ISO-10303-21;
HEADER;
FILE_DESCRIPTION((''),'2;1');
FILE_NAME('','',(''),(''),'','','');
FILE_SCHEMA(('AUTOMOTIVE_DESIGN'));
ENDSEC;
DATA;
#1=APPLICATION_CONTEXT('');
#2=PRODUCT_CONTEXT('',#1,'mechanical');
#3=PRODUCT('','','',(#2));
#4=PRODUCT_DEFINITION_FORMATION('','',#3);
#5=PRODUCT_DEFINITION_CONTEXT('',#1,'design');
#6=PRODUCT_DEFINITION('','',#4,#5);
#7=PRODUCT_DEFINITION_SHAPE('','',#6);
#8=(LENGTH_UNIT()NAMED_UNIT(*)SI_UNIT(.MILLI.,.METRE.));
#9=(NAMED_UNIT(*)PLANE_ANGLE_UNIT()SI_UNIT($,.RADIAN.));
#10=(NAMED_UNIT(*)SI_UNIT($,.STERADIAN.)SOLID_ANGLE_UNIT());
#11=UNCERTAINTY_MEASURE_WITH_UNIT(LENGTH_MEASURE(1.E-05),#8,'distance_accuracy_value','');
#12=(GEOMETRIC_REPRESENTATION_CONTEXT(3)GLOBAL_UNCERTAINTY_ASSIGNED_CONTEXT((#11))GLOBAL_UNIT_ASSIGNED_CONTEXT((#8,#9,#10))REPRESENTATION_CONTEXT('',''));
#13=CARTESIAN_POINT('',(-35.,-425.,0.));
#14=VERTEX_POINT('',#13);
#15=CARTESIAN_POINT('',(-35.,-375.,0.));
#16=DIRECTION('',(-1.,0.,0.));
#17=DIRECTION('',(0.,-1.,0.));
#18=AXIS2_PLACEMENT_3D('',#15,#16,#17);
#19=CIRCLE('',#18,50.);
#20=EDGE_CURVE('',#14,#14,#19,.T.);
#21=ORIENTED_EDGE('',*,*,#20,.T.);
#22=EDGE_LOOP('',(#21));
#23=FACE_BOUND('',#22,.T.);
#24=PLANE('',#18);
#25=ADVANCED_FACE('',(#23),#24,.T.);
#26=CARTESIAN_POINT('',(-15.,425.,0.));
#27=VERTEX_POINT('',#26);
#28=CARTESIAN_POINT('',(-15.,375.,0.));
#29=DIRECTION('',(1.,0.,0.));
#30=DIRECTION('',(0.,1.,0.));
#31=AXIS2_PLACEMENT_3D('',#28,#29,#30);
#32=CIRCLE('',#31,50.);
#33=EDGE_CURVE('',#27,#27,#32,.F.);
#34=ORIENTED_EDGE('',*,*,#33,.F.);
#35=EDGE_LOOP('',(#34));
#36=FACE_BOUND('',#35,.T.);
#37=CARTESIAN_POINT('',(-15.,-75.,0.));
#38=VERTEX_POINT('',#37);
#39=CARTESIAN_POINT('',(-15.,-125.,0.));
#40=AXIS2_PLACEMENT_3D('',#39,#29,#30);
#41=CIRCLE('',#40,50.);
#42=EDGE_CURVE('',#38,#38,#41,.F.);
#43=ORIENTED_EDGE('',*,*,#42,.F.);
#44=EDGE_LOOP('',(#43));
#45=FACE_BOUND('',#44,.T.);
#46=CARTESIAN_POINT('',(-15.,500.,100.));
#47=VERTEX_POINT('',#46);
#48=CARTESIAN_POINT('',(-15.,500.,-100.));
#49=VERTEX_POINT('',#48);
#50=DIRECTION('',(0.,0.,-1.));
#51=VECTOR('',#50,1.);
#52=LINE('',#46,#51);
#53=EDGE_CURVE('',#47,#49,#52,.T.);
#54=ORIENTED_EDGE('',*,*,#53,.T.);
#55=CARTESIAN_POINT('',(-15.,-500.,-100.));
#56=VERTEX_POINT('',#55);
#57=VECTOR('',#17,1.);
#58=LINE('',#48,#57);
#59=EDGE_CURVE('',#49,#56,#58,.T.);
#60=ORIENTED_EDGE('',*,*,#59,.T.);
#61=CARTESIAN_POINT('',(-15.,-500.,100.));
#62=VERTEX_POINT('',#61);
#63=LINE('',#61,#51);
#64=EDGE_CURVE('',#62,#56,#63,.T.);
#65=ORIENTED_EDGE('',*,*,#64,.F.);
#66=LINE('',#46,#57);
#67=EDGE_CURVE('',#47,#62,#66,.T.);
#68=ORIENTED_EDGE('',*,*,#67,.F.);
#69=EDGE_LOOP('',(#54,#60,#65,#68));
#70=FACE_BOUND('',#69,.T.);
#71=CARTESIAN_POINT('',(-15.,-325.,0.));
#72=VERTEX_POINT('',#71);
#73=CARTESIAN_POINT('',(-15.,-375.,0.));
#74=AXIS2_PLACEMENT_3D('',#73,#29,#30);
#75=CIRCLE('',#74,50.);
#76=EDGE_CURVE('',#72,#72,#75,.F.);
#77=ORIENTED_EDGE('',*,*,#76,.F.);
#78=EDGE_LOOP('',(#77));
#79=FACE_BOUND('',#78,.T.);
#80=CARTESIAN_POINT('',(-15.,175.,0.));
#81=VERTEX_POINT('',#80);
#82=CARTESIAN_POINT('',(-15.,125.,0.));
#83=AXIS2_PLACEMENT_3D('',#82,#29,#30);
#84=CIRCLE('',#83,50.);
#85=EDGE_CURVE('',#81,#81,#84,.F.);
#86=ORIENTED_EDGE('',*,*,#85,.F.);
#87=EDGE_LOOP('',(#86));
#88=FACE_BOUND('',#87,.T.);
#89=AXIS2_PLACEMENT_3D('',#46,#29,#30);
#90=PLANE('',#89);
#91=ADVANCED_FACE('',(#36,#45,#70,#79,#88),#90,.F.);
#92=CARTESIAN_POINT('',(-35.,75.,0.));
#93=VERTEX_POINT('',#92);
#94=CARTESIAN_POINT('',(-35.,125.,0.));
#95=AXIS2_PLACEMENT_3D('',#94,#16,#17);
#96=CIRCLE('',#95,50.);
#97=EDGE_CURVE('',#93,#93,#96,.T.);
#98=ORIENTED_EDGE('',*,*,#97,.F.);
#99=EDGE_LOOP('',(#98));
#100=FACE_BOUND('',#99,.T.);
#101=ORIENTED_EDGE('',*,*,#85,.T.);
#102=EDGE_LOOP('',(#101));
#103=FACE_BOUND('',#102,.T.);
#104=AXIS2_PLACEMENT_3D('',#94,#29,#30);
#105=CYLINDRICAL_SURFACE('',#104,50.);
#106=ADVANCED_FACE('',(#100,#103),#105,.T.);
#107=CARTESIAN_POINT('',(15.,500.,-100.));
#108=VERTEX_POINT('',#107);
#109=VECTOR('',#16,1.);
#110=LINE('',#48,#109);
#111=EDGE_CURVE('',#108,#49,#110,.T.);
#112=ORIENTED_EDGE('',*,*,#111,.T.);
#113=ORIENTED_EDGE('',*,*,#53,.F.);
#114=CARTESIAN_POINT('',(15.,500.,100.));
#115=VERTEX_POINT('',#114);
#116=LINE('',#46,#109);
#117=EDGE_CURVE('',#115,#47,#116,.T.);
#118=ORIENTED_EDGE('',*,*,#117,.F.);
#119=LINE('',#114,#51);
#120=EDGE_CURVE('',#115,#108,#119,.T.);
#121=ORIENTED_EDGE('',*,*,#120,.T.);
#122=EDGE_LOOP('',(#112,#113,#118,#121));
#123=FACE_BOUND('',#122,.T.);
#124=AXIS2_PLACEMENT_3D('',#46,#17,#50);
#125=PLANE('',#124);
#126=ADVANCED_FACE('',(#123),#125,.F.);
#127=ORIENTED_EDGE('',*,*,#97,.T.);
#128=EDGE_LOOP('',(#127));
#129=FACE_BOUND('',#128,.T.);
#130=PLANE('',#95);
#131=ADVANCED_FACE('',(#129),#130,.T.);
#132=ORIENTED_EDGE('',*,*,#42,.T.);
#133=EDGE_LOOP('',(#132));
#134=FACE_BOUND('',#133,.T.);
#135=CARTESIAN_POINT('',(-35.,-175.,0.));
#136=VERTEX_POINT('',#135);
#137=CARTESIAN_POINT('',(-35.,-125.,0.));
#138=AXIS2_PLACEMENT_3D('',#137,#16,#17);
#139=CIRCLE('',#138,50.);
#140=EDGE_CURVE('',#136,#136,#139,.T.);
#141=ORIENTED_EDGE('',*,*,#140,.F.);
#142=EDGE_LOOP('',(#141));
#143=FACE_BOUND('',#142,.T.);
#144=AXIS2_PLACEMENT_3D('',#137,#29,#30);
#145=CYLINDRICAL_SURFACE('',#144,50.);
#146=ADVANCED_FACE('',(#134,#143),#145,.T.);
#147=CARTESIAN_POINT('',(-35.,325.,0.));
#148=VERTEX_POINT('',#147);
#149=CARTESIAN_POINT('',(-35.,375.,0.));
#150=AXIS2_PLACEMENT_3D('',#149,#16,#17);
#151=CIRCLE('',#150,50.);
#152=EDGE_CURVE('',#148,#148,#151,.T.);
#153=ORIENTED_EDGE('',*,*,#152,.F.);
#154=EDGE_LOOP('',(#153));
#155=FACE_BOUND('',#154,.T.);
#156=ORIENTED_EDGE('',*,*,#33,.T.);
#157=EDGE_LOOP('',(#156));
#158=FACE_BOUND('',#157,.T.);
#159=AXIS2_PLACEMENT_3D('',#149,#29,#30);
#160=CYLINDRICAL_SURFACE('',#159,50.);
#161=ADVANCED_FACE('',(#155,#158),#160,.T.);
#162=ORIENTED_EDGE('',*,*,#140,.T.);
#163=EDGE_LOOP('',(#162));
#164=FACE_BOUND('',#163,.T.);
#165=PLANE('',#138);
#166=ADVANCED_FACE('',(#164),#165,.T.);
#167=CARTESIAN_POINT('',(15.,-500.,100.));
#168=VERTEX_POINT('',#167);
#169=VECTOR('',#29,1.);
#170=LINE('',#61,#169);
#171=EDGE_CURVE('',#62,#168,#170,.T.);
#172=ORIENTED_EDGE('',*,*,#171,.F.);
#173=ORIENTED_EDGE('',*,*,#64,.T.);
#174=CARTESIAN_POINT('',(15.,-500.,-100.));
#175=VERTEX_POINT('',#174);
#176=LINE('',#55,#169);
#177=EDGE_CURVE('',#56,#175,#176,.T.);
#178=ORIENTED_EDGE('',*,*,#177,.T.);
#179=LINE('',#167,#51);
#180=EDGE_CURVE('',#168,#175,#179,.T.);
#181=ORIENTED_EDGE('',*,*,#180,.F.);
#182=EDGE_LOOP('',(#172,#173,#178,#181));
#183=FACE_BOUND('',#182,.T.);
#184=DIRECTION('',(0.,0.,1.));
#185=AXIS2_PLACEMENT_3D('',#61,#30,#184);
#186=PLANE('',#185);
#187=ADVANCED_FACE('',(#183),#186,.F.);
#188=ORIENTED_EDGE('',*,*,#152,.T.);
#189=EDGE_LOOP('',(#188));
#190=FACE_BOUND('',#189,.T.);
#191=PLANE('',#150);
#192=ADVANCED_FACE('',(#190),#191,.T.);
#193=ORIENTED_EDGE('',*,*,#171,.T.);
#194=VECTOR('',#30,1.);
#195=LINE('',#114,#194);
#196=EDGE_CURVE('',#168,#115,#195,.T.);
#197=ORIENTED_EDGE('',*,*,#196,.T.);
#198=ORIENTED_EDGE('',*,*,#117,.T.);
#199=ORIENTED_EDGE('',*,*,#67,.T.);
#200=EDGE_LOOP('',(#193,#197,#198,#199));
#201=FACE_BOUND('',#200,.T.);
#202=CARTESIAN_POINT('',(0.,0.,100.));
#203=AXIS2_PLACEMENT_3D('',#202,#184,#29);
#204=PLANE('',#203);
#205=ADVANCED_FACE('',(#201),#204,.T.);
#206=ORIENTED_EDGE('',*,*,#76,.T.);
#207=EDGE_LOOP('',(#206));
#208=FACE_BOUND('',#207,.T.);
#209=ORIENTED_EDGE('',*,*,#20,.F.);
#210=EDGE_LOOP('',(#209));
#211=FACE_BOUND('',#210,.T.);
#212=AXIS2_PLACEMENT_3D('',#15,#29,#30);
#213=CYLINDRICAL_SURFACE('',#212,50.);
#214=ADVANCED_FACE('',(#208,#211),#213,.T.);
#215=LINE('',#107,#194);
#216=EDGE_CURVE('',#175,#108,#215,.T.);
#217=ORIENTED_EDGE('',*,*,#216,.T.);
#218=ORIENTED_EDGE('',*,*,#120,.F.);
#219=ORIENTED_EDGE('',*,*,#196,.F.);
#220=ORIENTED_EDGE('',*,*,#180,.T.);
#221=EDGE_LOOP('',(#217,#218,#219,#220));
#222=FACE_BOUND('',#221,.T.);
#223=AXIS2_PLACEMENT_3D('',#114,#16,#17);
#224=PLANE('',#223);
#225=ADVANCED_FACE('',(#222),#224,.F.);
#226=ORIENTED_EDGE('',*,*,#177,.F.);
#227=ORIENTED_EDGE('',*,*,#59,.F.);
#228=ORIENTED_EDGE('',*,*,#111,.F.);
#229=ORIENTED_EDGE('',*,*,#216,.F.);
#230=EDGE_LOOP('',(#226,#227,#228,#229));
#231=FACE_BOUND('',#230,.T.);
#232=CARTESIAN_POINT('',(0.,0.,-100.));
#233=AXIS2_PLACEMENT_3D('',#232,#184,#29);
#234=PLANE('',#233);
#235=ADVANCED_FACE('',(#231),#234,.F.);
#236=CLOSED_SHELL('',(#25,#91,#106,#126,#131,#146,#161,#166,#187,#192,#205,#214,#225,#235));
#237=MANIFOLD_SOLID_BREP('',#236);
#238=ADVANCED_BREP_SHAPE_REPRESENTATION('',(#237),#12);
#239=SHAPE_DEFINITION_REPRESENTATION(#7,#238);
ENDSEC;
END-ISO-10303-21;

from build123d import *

# Parameters (mm, degrees)
SKETCH_3_W             = 30
SKETCH_3_H             = 1000
EXTRUDE_1_DEPTH        = 100
SKETCH_6_R             = 50
EXTRUDE_2_DEPTH        = 20
PATTERN_LINEAR_1_COUNT = 4
PATTERN_LINEAR_1_PITCH = 250


with BuildPart() as part:
    # 草图3 → 凸台-拉伸1 (new, symmetric)
    with BuildSketch(Plane.XY):
        Rectangle(SKETCH_3_W, SKETCH_3_H)
    extrude(amount=EXTRUDE_1_DEPTH, both=True)

    # 草图6 → 凸台-拉伸2 (add)
    with BuildSketch(Plane.ZY.offset(15)):
        with Locations(Location((0, 375, 0), (0, 0, 90))):
            Circle(SKETCH_6_R)
    extrude_2 = extrude(amount=EXTRUDE_2_DEPTH)

    # 阵列(线性)1: 凸台-拉伸2 ×4
    with Locations(*[(0, -i * PATTERN_LINEAR_1_PITCH, 0) for i in range(1, PATTERN_LINEAR_1_COUNT)]):
        add(extrude_2)


solid = part.part
